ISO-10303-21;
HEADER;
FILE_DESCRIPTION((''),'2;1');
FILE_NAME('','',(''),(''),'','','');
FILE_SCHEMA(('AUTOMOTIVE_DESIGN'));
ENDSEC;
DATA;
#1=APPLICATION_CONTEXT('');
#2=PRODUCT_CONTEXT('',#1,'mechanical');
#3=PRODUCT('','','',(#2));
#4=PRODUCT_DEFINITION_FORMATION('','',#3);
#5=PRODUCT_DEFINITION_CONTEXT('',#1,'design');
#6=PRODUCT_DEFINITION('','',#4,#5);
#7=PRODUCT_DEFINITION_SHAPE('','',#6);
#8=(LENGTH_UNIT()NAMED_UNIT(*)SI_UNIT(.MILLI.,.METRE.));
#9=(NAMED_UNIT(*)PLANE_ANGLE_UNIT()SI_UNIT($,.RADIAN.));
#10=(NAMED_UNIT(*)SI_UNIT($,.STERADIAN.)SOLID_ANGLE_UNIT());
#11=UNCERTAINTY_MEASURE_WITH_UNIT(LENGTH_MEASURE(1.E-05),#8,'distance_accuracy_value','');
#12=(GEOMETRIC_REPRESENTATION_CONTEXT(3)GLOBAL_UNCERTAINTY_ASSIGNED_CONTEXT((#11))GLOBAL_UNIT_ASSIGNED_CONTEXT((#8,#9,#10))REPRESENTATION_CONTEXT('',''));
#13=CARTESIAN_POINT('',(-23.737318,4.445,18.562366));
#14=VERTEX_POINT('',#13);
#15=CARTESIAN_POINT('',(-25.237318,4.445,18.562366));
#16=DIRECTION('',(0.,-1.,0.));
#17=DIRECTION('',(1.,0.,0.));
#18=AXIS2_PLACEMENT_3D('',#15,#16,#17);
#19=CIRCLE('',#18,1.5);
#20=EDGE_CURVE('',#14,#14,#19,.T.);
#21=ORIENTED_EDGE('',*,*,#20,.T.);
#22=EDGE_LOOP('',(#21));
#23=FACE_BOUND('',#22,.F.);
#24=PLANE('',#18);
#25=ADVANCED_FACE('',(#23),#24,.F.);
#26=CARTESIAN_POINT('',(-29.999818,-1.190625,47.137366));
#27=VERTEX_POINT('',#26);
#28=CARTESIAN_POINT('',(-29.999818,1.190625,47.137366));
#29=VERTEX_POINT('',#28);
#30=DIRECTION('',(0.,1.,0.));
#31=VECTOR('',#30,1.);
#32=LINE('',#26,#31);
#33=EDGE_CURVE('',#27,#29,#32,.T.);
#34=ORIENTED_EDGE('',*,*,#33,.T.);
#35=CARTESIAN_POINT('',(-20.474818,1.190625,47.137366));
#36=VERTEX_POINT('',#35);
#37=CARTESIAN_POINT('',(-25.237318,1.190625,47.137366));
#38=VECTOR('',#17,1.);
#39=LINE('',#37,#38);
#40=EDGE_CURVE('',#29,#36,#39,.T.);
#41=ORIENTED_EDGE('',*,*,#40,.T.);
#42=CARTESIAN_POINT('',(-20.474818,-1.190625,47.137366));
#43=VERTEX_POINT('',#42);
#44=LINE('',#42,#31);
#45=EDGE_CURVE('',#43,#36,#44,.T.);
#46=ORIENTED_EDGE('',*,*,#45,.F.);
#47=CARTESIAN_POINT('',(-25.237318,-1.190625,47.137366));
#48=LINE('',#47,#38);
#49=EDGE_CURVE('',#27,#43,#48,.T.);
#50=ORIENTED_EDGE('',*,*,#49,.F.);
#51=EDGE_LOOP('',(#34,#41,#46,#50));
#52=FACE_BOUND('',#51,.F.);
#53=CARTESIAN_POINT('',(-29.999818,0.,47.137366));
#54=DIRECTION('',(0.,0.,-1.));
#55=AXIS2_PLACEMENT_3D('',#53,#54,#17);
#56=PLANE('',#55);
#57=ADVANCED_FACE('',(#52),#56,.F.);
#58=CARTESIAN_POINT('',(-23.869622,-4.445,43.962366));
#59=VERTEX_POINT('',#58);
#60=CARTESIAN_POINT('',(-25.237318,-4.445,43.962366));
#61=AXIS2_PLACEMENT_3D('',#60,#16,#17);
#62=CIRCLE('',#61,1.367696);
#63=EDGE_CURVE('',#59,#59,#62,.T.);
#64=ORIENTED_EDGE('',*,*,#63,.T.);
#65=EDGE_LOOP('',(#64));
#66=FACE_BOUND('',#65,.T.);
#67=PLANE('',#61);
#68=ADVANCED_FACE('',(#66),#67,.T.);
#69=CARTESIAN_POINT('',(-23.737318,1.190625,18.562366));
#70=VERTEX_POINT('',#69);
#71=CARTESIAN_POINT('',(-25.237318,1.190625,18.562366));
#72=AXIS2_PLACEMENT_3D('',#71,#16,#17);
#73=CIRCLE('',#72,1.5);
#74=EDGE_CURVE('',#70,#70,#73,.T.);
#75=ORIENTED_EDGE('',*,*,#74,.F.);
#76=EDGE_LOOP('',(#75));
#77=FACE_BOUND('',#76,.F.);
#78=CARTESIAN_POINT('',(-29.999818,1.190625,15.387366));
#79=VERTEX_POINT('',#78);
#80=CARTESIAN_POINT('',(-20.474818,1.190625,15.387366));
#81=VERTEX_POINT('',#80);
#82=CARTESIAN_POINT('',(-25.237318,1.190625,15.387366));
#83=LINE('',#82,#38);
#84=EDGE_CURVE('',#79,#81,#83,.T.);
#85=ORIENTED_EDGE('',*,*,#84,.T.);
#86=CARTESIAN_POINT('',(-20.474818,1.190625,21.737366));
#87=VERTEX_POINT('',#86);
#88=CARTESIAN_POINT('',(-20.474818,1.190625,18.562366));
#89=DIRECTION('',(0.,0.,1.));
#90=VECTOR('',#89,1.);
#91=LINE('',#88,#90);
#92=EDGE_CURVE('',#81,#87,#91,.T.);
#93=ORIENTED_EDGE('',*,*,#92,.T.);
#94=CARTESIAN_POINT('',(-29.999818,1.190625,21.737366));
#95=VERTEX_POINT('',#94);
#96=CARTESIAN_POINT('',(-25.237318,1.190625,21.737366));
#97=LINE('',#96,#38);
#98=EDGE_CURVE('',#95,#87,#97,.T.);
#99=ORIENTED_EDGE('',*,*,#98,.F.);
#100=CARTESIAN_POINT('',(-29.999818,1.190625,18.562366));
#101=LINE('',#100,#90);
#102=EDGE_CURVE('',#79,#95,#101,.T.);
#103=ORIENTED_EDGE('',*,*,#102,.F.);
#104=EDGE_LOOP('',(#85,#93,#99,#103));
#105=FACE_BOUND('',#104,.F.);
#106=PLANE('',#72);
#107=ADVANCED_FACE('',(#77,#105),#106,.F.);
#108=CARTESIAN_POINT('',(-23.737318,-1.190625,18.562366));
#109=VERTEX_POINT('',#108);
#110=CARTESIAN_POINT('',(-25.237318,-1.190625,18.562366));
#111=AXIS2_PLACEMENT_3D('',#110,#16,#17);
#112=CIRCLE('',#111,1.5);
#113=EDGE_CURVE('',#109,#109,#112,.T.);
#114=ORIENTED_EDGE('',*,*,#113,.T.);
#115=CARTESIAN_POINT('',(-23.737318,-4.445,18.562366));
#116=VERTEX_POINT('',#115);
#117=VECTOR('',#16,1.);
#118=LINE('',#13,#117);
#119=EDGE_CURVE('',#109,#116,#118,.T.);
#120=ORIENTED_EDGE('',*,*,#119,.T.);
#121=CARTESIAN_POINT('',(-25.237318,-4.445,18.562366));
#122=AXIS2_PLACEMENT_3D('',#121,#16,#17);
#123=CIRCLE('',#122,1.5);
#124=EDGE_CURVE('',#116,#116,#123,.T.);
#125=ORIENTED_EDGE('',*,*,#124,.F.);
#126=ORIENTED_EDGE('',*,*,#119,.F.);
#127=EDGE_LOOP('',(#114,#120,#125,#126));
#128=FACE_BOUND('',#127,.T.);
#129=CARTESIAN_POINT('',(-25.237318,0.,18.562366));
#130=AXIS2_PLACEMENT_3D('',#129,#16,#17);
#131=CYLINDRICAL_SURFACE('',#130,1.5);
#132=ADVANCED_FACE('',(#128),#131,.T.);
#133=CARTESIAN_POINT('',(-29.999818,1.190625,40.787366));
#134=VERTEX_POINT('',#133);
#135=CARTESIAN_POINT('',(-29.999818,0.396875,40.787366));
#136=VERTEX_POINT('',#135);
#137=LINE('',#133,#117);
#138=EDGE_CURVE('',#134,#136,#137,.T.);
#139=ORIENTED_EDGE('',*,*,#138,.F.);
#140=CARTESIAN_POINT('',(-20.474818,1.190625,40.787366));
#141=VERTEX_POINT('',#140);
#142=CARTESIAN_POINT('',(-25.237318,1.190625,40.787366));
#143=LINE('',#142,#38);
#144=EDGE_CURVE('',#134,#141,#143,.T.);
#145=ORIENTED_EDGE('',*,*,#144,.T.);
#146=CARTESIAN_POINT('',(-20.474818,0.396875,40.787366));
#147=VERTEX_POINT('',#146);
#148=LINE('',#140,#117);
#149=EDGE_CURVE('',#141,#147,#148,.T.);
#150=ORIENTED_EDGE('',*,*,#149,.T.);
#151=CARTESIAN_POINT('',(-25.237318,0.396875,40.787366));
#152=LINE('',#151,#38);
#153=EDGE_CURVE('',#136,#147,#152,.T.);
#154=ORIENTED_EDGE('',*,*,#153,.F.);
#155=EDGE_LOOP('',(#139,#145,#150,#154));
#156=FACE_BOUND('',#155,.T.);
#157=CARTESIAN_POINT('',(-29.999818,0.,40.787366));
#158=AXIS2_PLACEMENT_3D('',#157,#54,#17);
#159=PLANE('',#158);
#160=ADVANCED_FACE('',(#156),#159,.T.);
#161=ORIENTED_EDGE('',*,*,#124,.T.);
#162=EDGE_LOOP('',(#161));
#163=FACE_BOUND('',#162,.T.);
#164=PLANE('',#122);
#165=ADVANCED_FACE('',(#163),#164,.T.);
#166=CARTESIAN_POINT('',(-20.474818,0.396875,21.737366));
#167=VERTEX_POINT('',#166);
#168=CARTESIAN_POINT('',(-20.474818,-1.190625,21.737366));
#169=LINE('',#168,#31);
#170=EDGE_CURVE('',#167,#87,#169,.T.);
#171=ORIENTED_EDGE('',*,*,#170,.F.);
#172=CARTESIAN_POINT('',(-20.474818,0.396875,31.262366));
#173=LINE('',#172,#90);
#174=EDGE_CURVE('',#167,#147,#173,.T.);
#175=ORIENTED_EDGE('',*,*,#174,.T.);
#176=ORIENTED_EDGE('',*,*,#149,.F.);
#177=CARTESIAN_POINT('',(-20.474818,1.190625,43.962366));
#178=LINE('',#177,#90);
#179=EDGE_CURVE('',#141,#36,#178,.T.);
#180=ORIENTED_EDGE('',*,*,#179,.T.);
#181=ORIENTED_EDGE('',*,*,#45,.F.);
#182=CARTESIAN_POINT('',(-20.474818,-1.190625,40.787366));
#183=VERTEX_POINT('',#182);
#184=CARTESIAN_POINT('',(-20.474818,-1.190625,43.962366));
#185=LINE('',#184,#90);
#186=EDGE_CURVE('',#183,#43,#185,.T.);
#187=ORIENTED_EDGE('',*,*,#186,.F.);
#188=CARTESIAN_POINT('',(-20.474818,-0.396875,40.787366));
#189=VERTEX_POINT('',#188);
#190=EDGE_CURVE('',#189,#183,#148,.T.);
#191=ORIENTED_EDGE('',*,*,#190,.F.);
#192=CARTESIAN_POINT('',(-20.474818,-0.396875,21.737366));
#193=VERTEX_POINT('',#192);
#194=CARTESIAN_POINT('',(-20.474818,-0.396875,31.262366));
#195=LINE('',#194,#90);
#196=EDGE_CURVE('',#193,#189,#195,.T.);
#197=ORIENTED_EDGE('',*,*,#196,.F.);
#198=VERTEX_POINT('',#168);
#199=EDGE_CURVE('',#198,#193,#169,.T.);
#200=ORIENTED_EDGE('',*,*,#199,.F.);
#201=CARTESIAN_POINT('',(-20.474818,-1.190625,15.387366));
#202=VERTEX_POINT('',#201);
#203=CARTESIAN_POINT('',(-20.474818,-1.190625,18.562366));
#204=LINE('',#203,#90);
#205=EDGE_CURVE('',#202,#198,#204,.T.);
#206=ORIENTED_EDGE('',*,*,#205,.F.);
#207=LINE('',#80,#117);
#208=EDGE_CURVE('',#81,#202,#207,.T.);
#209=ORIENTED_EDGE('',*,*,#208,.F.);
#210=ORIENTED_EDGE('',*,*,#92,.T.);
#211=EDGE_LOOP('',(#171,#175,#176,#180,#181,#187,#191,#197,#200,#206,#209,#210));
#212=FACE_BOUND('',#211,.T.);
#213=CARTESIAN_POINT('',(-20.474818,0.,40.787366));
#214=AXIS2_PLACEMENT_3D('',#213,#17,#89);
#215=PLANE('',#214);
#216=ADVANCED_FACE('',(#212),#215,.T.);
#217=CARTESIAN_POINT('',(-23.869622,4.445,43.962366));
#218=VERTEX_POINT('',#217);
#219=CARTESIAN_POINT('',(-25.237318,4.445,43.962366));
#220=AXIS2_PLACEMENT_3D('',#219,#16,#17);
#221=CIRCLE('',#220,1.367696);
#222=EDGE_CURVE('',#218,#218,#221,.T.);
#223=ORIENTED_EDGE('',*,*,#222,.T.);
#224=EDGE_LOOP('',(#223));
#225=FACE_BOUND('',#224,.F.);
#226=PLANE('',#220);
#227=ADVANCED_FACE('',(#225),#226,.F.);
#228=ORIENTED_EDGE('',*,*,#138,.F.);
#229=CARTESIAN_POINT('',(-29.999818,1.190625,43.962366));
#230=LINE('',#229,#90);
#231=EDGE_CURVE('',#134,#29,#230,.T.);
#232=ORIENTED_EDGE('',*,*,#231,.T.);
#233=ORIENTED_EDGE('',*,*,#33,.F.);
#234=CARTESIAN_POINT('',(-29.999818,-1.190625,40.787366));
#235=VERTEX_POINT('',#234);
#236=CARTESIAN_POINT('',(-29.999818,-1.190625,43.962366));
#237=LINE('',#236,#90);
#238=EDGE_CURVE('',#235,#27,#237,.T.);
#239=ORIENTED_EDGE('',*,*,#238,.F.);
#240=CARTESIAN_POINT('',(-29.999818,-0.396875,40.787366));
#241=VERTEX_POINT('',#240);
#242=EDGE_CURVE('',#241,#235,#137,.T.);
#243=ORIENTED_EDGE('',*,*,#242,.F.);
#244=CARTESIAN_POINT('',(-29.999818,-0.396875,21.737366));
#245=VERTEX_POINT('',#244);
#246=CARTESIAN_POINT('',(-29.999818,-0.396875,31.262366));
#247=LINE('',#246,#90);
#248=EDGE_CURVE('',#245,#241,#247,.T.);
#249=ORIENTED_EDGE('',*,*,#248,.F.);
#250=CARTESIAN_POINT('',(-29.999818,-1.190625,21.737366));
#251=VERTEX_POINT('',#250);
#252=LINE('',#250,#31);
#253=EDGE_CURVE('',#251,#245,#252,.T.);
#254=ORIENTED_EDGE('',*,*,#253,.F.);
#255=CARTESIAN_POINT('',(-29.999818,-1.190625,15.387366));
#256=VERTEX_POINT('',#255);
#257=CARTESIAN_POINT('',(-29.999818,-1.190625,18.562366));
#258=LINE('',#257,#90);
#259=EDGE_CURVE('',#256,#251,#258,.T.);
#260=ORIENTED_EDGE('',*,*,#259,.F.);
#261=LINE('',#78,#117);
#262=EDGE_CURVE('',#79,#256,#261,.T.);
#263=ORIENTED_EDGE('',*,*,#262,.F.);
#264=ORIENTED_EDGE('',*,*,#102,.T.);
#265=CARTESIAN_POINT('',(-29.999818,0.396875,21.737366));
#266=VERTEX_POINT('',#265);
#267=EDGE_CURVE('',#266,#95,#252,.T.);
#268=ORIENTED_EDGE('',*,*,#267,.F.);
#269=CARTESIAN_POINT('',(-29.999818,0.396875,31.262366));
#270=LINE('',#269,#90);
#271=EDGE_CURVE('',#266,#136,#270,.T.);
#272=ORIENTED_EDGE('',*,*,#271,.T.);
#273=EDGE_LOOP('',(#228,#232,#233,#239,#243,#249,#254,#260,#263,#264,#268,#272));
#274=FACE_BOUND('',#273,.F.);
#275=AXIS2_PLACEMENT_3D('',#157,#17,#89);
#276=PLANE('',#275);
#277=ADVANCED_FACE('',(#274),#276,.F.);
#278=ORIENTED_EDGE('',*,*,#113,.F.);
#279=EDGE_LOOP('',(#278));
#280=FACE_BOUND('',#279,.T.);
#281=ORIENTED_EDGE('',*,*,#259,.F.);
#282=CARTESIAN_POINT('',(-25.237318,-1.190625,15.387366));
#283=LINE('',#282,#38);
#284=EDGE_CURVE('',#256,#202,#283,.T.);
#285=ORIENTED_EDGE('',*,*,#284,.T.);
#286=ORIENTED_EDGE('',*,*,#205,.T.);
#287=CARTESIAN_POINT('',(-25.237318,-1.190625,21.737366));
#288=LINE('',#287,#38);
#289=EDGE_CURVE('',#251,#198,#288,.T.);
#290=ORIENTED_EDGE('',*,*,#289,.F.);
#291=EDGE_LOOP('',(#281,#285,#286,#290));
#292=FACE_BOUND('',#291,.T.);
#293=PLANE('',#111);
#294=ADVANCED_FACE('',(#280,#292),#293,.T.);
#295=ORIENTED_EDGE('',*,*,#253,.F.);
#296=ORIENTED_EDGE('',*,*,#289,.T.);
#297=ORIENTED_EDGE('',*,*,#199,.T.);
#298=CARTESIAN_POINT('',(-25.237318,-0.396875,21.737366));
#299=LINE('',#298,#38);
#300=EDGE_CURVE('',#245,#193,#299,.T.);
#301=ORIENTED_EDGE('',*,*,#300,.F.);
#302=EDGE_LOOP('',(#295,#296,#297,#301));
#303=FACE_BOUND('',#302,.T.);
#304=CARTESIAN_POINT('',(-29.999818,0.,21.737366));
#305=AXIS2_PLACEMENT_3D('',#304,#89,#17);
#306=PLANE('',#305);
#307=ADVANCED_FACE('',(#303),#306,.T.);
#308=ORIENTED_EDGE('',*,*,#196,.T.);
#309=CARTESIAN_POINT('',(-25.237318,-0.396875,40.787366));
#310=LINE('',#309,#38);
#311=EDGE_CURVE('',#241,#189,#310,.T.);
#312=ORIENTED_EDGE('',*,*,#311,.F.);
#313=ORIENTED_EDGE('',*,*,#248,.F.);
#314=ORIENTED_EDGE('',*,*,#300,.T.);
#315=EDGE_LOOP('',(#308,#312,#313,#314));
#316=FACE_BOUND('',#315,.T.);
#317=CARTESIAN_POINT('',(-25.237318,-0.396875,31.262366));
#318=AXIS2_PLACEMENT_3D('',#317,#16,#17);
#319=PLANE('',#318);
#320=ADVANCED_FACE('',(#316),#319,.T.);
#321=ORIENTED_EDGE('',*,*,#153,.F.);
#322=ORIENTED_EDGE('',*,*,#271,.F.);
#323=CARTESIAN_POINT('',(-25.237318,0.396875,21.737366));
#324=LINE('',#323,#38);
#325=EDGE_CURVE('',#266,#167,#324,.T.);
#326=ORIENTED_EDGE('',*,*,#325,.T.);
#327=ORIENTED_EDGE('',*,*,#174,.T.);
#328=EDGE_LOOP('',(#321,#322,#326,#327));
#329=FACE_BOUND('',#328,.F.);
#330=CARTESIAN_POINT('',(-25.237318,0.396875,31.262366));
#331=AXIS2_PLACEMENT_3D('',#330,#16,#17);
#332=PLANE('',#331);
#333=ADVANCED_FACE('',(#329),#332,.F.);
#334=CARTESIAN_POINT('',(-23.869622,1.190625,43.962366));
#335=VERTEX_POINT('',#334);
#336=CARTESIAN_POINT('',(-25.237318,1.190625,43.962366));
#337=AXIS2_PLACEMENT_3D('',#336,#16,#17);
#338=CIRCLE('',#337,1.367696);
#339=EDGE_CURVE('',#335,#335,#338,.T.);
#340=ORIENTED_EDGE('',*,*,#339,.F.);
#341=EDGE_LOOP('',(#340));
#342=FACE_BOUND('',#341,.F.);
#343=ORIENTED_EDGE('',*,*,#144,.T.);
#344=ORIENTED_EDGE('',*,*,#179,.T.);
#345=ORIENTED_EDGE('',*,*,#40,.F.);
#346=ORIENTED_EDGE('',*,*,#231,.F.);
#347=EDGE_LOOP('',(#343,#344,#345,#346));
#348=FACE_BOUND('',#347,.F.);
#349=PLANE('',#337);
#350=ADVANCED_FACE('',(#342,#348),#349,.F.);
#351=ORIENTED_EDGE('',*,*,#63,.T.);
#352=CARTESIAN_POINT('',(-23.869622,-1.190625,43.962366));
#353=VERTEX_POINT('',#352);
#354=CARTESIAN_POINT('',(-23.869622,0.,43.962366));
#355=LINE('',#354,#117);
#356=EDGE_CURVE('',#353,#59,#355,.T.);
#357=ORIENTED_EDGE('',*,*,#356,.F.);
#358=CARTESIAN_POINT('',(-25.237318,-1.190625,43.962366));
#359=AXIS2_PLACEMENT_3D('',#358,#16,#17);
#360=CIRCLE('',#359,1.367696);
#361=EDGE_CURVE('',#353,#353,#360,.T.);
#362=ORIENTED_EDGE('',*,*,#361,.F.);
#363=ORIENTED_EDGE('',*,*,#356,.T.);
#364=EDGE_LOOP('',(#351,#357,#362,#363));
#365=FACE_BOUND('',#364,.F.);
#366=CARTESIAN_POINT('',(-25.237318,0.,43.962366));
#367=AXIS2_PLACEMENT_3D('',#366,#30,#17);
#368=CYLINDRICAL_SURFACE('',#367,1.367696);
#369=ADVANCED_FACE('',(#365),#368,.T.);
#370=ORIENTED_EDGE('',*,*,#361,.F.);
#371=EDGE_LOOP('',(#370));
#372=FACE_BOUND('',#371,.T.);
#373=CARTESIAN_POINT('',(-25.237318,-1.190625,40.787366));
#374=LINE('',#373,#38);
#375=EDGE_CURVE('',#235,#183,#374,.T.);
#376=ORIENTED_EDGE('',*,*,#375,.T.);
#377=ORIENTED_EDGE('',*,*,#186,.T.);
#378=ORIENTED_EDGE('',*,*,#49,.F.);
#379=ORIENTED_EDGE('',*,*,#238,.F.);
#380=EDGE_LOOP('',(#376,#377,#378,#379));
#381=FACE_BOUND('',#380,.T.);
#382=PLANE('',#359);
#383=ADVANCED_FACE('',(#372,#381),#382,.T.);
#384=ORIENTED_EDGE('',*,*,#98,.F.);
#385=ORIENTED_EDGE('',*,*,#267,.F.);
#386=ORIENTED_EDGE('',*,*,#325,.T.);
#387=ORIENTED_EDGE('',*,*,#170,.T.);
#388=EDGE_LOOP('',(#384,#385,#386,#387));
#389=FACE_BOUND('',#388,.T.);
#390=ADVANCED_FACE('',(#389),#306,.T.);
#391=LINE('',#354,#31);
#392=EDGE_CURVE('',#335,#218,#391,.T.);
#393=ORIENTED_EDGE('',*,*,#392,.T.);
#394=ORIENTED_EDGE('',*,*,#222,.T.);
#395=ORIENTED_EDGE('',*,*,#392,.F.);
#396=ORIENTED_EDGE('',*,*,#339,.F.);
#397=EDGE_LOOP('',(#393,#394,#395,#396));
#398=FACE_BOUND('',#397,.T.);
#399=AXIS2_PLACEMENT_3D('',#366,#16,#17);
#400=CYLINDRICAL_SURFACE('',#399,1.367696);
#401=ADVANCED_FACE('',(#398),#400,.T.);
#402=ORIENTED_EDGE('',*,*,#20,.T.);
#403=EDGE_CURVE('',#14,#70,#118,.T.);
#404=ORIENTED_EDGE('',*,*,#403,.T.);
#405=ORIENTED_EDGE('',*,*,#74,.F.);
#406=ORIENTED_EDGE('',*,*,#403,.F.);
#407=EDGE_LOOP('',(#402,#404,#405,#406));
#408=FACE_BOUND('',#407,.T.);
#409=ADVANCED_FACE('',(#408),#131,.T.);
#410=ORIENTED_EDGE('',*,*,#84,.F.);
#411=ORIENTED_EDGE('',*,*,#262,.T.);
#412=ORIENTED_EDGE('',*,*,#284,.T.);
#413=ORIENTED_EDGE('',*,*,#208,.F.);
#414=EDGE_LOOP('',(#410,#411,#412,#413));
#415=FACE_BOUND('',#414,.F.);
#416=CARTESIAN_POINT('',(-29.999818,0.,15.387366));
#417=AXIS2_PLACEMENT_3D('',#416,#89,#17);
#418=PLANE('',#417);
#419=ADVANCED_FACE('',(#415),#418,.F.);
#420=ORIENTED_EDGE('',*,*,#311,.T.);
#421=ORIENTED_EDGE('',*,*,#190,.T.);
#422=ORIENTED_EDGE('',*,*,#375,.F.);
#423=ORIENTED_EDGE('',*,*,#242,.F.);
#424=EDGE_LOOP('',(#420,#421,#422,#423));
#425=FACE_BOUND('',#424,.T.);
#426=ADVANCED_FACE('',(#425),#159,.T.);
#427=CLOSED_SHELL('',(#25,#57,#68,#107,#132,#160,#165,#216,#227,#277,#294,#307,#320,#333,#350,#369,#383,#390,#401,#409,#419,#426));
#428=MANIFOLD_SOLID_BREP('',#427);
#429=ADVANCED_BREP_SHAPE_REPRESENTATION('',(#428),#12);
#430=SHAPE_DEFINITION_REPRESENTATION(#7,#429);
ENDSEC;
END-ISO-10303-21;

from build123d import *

# Parameters (mm, degrees)
F0_W     = 9.525
F0_H     = 19.05
F1_DEPTH = 0.396875
F0_H_2   = 6.35
F0_R     = 1.5
F0_R_2   = 1.367696
F2_DEPTH = 1.190625
F3_DEPTH = 4.445


with BuildPart() as f1:
    # F0 (on Front) → F1 (new body, symmetric)
    with BuildSketch(Plane.XZ):
        with Locations((-25.237318, 31.262366)):
            Rectangle(F0_W, F0_H)
    extrude(amount=F1_DEPTH, both=True)

    # F0 (on Front) → F2 (join, symmetric)
    with BuildSketch(Plane.XZ):
        with Locations((-25.237318, 18.562366)):
            Rectangle(F0_W, F0_H_2)
        with Locations((-25.237318, 18.562366)):
            Circle(F0_R, mode=Mode.SUBTRACT)
        with Locations((-25.237318, 43.962366)):
            Rectangle(F0_W, F0_H_2)
        with Locations((-25.237318, 43.962366)):
            Circle(F0_R_2, mode=Mode.SUBTRACT)
    extrude(amount=F2_DEPTH, both=True)

    # F0 (on Front) → F3 (join, symmetric)
    with BuildSketch(Plane.XZ):
        with Locations((-25.237318, 43.962366)):
            Circle(F0_R_2)
        with Locations((-25.237318, 18.562366)):
            Circle(F0_R)
    extrude(amount=F3_DEPTH, both=True)


solid = f1.part
